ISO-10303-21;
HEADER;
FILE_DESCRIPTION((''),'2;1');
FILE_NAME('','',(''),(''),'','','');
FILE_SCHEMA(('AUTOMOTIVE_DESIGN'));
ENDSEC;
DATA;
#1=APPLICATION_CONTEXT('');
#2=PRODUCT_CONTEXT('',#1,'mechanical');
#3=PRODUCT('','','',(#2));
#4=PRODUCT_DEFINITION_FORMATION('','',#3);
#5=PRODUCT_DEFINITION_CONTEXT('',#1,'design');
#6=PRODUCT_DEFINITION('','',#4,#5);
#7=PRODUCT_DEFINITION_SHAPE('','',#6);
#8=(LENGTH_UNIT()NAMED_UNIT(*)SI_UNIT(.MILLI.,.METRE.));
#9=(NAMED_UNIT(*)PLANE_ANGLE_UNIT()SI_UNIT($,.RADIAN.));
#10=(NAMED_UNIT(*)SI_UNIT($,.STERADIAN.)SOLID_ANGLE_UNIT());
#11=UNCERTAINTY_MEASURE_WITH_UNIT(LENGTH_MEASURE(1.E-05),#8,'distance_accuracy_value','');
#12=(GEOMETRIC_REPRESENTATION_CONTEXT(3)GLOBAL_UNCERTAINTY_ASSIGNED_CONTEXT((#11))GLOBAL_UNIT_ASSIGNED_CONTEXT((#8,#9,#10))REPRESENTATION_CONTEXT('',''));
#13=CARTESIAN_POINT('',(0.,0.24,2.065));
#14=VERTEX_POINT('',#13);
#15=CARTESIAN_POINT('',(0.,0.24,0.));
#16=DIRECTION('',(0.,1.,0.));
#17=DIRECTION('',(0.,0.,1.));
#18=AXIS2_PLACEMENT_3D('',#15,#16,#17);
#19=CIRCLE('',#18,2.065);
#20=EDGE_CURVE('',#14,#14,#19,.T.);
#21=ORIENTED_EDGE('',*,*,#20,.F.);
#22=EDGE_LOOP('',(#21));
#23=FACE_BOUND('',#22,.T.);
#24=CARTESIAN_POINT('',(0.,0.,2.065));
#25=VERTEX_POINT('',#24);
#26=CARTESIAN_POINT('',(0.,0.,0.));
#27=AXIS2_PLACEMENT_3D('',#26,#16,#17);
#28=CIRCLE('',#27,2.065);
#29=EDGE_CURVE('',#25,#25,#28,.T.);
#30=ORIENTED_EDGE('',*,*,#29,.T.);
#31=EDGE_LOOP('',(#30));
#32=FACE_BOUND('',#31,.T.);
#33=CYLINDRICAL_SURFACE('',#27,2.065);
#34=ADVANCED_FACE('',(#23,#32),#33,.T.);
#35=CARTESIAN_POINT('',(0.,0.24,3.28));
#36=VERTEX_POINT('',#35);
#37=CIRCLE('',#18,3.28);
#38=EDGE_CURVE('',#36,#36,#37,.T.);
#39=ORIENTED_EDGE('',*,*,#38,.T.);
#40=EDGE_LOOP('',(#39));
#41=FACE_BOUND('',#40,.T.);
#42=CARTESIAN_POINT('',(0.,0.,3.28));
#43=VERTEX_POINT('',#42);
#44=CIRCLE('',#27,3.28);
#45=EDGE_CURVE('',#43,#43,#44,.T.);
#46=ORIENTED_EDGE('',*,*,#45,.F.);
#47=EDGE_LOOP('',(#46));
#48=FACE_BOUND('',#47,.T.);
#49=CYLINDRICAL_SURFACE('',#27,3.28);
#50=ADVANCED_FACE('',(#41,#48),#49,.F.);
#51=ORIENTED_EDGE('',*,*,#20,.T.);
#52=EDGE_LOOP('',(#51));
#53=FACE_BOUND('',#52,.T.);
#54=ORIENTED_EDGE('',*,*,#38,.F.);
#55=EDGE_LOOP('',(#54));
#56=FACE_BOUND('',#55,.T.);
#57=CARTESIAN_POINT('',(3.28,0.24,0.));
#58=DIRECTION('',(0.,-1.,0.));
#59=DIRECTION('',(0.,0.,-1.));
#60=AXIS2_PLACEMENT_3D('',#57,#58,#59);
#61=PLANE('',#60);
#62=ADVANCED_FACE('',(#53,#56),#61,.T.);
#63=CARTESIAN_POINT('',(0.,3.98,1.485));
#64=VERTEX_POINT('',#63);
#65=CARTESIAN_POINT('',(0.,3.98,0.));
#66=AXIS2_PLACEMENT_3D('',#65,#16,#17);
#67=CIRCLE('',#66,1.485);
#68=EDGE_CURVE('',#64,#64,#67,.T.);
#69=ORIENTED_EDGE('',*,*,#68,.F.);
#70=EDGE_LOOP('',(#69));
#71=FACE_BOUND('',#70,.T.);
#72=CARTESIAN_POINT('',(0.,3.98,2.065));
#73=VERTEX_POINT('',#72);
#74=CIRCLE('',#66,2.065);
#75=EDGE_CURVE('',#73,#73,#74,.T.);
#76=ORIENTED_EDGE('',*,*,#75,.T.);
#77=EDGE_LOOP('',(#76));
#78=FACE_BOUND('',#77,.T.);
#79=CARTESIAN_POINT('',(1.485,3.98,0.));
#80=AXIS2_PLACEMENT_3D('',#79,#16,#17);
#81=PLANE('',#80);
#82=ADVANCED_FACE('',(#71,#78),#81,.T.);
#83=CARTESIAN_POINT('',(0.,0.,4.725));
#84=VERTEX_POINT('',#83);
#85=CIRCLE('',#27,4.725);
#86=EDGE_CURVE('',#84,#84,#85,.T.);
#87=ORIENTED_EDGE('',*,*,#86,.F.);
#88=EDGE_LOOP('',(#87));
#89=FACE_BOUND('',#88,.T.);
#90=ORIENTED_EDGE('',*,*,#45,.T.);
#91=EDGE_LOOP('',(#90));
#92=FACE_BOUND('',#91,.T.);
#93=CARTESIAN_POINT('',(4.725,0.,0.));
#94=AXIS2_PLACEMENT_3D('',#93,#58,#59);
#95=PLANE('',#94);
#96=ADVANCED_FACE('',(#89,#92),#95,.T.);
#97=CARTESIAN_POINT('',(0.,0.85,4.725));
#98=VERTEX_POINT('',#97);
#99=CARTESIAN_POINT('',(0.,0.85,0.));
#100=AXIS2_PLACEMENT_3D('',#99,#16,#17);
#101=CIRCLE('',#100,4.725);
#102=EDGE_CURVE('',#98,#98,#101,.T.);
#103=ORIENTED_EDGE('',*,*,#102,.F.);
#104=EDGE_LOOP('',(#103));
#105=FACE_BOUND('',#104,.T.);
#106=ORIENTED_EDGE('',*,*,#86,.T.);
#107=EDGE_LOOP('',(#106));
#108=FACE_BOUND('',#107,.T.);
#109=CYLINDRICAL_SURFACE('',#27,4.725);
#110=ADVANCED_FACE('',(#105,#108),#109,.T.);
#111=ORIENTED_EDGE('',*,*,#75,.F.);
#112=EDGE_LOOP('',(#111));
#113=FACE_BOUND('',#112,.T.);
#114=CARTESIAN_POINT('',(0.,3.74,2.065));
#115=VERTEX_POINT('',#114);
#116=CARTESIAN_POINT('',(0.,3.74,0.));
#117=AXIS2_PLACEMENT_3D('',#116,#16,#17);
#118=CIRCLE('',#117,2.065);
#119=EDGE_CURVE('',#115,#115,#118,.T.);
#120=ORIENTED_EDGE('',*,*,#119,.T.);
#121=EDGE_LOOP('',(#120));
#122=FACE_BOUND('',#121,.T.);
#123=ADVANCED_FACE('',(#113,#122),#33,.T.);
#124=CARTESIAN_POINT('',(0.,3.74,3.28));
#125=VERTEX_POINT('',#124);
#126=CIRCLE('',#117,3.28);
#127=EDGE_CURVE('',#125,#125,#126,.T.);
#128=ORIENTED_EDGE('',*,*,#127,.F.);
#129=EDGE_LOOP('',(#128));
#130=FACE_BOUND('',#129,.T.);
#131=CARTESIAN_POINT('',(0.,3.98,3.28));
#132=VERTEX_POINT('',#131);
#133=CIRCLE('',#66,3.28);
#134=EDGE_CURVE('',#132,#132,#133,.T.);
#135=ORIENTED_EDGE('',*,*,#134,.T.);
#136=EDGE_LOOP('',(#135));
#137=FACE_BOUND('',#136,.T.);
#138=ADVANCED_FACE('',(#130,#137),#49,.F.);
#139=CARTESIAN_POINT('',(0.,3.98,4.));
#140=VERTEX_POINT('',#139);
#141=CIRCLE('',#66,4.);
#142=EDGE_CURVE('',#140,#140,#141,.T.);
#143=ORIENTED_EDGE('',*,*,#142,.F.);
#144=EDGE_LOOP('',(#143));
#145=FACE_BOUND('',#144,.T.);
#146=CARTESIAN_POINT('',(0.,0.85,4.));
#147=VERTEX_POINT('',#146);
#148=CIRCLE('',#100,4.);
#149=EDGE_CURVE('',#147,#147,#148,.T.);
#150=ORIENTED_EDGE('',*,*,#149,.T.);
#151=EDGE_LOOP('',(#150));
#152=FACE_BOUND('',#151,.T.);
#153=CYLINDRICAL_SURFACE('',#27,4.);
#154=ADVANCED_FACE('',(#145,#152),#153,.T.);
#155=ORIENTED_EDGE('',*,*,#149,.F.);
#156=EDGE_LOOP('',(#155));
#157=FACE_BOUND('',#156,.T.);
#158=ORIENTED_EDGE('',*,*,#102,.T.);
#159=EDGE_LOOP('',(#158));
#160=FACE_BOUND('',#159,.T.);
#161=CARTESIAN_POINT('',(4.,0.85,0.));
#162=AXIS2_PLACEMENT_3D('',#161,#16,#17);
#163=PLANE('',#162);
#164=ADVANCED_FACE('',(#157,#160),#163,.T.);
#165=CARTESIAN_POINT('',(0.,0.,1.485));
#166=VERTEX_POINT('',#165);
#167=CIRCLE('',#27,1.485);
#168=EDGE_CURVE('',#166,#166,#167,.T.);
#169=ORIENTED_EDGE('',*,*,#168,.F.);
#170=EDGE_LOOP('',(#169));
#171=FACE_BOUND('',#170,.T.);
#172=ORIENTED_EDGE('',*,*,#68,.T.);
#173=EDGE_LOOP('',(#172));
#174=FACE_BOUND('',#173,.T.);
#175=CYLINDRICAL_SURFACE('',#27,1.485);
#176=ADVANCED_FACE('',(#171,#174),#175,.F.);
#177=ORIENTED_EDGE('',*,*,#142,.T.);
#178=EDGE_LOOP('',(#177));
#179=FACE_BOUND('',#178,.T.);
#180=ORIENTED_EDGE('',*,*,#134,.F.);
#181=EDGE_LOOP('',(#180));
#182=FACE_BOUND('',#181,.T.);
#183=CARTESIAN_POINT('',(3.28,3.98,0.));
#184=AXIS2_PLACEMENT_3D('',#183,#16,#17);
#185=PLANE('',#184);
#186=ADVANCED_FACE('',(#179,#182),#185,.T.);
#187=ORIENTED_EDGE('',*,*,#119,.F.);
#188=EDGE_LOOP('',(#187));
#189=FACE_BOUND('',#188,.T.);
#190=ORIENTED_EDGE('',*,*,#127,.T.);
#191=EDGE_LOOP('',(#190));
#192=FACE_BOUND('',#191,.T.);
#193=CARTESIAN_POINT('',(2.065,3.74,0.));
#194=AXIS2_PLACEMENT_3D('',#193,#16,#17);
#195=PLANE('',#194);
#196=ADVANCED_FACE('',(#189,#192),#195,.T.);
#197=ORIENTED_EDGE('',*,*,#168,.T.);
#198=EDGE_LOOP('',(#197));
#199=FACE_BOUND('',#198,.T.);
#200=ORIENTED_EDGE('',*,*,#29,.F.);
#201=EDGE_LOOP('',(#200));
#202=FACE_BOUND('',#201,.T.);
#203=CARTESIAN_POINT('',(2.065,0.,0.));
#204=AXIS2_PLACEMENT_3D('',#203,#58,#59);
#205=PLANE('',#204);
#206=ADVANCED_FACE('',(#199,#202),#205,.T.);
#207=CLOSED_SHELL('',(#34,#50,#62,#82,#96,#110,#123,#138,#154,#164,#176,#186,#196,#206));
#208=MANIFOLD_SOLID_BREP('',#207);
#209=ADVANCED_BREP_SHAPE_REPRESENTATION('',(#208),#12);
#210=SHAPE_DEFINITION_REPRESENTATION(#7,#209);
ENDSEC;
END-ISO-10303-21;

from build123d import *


with BuildPart() as part:
    # Sketch1 → Revolve1 (revolve)
    with BuildSketch(Plane(origin=(0, 0, 0), x_dir=(-1, 0, 0), z_dir=(0, 0, -1))):
        Polygon((-2.065, 0.24), (-2.065, 0), (-1.485, 0), (-1.485, 3.98), (-2.065, 3.98), (-2.065, 3.74), (-3.28, 3.74), (-3.28, 3.98), (-4, 3.98), (-4, 0.85), (-4.725, 0.85), (-4.725, 0), (-3.28, 0), (-3.28, 0.24), align=None)
    revolve(axis=Axis((0, 0, 0), (0, 1, 0)))


solid = part.part
